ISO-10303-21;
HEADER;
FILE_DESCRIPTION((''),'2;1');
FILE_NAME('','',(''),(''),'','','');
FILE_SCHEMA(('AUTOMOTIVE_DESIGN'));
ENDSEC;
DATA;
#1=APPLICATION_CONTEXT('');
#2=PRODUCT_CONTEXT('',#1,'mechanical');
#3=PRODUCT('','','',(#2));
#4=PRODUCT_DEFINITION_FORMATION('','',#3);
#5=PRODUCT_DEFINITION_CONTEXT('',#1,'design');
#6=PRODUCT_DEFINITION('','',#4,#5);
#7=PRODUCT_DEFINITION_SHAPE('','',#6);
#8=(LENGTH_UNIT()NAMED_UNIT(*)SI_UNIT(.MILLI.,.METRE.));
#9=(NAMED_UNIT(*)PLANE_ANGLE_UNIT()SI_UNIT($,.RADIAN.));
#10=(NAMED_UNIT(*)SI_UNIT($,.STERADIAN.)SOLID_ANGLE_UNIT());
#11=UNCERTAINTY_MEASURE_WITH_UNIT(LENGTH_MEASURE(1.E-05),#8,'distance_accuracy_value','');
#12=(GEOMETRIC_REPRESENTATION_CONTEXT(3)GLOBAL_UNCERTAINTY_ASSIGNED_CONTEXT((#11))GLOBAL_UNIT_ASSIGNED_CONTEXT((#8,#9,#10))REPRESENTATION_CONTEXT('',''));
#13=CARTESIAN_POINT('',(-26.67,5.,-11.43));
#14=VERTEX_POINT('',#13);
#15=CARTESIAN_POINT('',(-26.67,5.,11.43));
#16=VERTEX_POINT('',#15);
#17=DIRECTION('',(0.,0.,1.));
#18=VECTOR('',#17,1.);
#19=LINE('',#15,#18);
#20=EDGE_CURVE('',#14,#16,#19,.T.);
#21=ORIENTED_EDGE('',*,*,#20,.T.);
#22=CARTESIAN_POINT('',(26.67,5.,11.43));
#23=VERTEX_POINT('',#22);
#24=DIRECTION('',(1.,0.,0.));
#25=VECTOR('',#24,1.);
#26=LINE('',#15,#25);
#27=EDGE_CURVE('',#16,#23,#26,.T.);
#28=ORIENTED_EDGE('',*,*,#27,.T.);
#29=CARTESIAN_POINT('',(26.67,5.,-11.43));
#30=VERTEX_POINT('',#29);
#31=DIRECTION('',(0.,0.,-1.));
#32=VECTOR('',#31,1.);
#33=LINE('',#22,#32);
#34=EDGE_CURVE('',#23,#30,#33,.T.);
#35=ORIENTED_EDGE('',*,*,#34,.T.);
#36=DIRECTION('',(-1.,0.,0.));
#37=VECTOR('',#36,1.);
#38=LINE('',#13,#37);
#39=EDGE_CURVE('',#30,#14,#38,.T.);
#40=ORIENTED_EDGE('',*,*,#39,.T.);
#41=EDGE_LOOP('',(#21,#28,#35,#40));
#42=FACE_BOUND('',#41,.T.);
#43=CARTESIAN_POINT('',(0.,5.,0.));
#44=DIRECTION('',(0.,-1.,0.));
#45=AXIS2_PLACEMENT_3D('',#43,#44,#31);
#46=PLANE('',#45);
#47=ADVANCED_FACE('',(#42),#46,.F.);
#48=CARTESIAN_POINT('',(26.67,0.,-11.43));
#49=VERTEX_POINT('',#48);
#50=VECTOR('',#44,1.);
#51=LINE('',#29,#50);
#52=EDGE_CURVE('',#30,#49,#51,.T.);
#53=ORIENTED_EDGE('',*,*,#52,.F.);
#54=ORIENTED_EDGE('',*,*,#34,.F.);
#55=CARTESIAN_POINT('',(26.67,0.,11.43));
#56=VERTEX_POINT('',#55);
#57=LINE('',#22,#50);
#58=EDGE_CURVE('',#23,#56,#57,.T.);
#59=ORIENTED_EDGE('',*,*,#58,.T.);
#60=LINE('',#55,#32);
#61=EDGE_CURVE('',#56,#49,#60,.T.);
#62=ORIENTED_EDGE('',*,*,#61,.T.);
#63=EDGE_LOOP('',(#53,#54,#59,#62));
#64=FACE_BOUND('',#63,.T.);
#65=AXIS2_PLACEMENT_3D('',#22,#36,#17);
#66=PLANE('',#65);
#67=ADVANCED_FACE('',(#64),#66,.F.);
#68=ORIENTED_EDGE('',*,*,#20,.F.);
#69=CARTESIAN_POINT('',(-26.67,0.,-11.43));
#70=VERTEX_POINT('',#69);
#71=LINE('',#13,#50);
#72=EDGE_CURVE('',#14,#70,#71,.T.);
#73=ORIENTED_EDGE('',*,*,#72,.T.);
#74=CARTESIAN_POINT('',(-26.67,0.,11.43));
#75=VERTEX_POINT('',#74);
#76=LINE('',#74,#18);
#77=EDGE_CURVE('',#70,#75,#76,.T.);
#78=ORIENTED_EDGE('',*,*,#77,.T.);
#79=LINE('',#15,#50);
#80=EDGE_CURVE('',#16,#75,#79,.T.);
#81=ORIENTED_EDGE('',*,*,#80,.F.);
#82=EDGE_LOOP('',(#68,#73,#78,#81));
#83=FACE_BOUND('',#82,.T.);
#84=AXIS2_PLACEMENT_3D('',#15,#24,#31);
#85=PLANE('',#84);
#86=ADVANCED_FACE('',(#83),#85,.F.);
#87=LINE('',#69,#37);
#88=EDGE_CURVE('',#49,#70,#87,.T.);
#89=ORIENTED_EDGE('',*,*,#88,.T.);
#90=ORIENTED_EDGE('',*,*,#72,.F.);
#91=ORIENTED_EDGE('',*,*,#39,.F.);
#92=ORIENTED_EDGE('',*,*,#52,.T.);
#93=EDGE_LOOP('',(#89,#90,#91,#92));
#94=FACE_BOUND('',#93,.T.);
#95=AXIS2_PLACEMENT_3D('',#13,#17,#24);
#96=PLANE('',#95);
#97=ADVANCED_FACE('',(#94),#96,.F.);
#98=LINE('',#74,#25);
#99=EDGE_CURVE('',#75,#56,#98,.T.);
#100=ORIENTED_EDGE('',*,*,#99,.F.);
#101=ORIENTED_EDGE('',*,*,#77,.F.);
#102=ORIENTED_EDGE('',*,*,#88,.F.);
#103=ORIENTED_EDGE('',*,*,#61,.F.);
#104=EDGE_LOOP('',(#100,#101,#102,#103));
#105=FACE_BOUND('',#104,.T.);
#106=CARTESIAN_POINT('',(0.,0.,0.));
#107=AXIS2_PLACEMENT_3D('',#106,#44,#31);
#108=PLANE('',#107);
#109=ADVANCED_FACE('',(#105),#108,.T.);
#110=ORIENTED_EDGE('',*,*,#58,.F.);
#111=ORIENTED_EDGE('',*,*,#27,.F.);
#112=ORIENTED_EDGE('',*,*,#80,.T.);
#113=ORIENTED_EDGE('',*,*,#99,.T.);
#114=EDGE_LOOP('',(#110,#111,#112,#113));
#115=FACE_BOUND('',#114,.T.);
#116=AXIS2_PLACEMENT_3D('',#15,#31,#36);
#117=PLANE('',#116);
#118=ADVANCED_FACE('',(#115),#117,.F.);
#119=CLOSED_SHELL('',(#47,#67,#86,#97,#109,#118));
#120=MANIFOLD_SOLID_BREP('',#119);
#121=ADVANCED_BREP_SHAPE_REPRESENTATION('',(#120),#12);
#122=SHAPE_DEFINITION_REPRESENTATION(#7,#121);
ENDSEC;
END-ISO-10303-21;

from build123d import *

# Parameters (mm, degrees)
SKETCH_1_W      = 53.34
SKETCH_1_H      = 22.86
EXTRUDE_1_DEPTH = 5


with BuildPart() as part:
    # 草圖1 → 填料-伸長1 (new body)
    with BuildSketch(Plane(origin=(0, 0, 0), x_dir=(1, 0, 0), z_dir=(0, 1, 0))):
        Rectangle(SKETCH_1_W, SKETCH_1_H)
    extrude(amount=EXTRUDE_1_DEPTH)


solid = part.part
